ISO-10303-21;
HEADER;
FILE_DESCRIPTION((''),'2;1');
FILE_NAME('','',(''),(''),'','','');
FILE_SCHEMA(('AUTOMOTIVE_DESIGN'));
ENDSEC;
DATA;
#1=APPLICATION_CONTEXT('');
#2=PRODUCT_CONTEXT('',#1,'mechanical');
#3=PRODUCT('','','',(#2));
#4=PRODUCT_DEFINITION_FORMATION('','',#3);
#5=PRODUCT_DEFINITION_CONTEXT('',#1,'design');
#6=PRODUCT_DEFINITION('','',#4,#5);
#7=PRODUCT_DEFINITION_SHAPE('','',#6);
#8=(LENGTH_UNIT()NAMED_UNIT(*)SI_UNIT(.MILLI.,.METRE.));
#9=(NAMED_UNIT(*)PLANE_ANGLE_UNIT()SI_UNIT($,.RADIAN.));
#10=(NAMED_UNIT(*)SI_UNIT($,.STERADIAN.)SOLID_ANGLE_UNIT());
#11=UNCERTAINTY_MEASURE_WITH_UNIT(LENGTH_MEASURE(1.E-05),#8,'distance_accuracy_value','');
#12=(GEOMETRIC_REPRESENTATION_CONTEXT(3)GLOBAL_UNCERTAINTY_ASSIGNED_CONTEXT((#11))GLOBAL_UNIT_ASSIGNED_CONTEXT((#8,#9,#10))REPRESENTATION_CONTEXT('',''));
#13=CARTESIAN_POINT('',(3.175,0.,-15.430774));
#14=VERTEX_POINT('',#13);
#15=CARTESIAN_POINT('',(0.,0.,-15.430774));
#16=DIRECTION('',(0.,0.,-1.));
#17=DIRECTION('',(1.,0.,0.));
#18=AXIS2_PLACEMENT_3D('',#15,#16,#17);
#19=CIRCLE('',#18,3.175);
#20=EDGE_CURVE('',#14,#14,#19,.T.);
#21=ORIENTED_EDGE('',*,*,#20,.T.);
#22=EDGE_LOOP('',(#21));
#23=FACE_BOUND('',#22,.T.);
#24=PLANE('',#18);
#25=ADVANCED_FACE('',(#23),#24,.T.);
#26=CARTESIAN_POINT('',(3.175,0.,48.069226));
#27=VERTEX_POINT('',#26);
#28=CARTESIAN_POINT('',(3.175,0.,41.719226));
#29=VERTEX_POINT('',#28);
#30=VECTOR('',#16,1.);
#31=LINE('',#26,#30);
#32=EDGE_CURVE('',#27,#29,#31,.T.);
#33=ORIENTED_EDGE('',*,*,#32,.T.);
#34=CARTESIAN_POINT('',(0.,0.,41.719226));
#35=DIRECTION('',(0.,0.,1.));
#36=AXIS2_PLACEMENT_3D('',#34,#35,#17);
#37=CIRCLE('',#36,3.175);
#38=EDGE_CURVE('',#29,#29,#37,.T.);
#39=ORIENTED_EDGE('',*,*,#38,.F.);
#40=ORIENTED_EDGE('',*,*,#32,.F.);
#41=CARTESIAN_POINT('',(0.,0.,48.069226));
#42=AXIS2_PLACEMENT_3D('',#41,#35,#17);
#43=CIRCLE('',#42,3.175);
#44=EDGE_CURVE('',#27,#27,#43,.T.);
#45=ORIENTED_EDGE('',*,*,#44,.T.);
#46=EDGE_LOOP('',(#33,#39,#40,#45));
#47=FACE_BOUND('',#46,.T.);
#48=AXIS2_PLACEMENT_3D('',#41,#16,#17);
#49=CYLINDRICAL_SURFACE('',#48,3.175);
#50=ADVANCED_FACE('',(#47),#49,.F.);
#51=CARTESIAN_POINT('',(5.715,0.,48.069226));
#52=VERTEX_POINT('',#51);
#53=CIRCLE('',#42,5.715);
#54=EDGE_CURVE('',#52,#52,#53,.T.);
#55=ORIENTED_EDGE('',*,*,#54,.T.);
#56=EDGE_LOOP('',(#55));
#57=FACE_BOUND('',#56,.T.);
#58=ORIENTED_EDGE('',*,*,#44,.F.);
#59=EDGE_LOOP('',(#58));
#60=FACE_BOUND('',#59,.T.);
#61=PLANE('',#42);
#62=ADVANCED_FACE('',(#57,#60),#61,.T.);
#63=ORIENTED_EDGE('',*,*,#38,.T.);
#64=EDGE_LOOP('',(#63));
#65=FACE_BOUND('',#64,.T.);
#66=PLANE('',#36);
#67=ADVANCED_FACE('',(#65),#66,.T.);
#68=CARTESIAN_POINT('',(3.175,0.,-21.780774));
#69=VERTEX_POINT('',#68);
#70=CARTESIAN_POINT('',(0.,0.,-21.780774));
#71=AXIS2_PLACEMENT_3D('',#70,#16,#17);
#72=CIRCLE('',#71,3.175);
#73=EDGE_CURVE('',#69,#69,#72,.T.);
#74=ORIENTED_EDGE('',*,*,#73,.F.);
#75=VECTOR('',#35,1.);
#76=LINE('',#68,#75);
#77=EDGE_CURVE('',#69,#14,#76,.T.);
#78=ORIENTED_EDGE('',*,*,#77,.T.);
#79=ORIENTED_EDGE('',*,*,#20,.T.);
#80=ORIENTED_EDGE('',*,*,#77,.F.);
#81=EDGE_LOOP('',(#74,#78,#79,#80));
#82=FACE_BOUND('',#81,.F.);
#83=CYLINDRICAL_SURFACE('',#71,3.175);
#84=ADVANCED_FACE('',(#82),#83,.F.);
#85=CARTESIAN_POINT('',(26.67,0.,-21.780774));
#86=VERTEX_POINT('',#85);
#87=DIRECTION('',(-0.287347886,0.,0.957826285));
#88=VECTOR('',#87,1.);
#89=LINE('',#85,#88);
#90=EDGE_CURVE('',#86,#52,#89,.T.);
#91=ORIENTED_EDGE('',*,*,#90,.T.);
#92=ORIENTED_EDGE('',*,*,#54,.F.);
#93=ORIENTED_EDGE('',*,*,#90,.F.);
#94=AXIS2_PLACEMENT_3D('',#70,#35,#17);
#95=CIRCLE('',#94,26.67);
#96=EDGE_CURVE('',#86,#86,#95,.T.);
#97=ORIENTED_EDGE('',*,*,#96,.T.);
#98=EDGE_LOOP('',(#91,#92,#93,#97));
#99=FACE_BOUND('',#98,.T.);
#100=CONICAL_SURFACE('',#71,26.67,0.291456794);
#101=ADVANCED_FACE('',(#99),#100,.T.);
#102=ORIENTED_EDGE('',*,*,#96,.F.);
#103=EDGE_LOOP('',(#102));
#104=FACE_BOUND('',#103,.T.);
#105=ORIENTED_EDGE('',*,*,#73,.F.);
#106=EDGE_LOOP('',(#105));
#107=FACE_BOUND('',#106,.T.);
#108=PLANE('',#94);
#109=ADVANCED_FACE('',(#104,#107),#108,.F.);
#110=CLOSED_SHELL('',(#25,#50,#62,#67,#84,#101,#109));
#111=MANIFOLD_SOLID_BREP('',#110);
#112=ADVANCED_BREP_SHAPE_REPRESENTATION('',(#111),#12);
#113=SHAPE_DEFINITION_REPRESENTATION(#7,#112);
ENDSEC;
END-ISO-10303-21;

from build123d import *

# Parameters (mm, degrees)
F2_R     = 3.175
F3_DEPTH = 6.35


with BuildPart() as f1:
    # F0 (on Front) → F1 (revolve)
    with BuildSketch(Plane.XZ):
        Polygon((26.67, -21.780774), (5.715, 48.069226), (3.175, 48.069226), (3.175, 41.719226), (0, 41.719226), (0, -21.780774), align=None)
    revolve(axis=Axis((0, 0, 9.969226), (0, 0, 1)))

    # F2 (on face) → F3 (cut)
    with BuildSketch(Plane(origin=(0, 0, -21.780774), x_dir=(1, 0, 0), z_dir=(0, 0, -1))):
        Circle(F2_R)
    extrude(amount=-F3_DEPTH, mode=Mode.SUBTRACT)


solid = f1.part
